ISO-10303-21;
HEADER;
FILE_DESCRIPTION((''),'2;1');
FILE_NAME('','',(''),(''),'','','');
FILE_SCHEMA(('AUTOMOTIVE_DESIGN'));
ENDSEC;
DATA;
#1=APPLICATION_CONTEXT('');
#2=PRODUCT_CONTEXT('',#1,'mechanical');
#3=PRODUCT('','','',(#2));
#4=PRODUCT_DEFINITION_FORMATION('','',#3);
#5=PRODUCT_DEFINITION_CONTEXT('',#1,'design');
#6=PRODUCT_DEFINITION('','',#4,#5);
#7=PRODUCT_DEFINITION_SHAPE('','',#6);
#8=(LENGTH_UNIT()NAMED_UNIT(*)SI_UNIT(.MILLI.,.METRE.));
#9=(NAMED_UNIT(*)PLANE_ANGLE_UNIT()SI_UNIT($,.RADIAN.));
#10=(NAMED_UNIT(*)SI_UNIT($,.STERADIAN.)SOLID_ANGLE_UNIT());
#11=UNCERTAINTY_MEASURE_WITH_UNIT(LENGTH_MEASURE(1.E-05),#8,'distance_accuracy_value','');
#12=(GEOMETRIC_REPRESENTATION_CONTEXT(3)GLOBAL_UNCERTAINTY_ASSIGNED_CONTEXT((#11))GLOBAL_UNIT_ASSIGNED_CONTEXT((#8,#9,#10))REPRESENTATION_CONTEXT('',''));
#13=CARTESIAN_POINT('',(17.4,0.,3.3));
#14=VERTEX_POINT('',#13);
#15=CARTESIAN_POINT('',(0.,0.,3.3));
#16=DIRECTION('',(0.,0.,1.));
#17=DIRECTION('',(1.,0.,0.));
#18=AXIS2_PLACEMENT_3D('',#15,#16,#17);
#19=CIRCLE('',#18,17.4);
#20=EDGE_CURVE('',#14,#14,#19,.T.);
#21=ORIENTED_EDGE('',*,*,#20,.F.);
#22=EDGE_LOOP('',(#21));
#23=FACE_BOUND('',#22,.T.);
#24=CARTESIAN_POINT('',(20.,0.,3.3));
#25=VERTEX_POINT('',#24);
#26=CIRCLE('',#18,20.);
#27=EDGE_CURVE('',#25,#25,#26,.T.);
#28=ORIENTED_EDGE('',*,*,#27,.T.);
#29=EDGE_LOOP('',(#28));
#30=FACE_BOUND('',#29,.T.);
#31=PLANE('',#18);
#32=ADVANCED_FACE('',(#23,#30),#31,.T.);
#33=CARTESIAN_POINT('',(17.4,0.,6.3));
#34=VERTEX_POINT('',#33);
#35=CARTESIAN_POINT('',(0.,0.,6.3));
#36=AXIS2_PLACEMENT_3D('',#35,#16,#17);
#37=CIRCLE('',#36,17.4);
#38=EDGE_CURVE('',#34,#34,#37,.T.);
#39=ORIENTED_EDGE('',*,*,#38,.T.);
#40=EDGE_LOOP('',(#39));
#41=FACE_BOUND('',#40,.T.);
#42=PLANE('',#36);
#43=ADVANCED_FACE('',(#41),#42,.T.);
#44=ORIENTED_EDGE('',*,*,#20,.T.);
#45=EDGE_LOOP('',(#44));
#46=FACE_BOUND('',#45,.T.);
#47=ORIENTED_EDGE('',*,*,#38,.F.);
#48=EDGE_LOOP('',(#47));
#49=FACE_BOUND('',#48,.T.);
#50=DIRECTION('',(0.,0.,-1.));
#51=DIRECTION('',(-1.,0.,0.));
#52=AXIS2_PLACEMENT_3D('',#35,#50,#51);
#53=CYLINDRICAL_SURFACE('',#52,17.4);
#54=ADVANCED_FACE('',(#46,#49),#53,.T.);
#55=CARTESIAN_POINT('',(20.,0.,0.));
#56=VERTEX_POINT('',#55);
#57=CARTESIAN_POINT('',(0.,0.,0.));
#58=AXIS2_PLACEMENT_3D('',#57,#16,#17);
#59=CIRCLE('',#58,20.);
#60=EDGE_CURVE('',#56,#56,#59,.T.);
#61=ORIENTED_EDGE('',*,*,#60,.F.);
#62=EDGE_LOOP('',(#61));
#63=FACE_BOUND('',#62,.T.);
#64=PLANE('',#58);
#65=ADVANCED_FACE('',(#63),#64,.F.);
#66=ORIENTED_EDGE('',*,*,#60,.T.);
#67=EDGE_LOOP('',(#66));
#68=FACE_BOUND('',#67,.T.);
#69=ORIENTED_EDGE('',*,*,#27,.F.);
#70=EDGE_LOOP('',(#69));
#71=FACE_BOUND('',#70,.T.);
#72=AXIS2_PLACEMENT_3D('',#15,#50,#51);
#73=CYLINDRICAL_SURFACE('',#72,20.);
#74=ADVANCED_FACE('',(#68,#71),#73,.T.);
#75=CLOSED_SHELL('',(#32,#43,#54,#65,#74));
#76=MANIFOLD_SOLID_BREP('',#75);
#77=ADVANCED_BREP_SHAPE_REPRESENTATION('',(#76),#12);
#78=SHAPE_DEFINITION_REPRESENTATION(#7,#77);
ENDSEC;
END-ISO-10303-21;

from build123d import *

# Parameters (mm, degrees)
SKETCH_1_R      = 20
SKETCH_1_R_2    = 17.4
EXTRUDE_1_DEPTH = 3.3
SKETCH_1_2_R    = 17.4
EXTRUDE_2_DEPTH = 6.3


with BuildPart() as part:
    # 草图1 → 凸台-拉伸1 (new body)
    with BuildSketch(Plane.XY):
        Circle(SKETCH_1_R)
        Circle(SKETCH_1_R_2, mode=Mode.SUBTRACT)
    extrude(amount=EXTRUDE_1_DEPTH)

    # 草图1<2> → 凸台-拉伸2 (add)
    with BuildSketch(Plane.XY):
        Circle(SKETCH_1_2_R)
    extrude(amount=EXTRUDE_2_DEPTH)


solid = part.part
